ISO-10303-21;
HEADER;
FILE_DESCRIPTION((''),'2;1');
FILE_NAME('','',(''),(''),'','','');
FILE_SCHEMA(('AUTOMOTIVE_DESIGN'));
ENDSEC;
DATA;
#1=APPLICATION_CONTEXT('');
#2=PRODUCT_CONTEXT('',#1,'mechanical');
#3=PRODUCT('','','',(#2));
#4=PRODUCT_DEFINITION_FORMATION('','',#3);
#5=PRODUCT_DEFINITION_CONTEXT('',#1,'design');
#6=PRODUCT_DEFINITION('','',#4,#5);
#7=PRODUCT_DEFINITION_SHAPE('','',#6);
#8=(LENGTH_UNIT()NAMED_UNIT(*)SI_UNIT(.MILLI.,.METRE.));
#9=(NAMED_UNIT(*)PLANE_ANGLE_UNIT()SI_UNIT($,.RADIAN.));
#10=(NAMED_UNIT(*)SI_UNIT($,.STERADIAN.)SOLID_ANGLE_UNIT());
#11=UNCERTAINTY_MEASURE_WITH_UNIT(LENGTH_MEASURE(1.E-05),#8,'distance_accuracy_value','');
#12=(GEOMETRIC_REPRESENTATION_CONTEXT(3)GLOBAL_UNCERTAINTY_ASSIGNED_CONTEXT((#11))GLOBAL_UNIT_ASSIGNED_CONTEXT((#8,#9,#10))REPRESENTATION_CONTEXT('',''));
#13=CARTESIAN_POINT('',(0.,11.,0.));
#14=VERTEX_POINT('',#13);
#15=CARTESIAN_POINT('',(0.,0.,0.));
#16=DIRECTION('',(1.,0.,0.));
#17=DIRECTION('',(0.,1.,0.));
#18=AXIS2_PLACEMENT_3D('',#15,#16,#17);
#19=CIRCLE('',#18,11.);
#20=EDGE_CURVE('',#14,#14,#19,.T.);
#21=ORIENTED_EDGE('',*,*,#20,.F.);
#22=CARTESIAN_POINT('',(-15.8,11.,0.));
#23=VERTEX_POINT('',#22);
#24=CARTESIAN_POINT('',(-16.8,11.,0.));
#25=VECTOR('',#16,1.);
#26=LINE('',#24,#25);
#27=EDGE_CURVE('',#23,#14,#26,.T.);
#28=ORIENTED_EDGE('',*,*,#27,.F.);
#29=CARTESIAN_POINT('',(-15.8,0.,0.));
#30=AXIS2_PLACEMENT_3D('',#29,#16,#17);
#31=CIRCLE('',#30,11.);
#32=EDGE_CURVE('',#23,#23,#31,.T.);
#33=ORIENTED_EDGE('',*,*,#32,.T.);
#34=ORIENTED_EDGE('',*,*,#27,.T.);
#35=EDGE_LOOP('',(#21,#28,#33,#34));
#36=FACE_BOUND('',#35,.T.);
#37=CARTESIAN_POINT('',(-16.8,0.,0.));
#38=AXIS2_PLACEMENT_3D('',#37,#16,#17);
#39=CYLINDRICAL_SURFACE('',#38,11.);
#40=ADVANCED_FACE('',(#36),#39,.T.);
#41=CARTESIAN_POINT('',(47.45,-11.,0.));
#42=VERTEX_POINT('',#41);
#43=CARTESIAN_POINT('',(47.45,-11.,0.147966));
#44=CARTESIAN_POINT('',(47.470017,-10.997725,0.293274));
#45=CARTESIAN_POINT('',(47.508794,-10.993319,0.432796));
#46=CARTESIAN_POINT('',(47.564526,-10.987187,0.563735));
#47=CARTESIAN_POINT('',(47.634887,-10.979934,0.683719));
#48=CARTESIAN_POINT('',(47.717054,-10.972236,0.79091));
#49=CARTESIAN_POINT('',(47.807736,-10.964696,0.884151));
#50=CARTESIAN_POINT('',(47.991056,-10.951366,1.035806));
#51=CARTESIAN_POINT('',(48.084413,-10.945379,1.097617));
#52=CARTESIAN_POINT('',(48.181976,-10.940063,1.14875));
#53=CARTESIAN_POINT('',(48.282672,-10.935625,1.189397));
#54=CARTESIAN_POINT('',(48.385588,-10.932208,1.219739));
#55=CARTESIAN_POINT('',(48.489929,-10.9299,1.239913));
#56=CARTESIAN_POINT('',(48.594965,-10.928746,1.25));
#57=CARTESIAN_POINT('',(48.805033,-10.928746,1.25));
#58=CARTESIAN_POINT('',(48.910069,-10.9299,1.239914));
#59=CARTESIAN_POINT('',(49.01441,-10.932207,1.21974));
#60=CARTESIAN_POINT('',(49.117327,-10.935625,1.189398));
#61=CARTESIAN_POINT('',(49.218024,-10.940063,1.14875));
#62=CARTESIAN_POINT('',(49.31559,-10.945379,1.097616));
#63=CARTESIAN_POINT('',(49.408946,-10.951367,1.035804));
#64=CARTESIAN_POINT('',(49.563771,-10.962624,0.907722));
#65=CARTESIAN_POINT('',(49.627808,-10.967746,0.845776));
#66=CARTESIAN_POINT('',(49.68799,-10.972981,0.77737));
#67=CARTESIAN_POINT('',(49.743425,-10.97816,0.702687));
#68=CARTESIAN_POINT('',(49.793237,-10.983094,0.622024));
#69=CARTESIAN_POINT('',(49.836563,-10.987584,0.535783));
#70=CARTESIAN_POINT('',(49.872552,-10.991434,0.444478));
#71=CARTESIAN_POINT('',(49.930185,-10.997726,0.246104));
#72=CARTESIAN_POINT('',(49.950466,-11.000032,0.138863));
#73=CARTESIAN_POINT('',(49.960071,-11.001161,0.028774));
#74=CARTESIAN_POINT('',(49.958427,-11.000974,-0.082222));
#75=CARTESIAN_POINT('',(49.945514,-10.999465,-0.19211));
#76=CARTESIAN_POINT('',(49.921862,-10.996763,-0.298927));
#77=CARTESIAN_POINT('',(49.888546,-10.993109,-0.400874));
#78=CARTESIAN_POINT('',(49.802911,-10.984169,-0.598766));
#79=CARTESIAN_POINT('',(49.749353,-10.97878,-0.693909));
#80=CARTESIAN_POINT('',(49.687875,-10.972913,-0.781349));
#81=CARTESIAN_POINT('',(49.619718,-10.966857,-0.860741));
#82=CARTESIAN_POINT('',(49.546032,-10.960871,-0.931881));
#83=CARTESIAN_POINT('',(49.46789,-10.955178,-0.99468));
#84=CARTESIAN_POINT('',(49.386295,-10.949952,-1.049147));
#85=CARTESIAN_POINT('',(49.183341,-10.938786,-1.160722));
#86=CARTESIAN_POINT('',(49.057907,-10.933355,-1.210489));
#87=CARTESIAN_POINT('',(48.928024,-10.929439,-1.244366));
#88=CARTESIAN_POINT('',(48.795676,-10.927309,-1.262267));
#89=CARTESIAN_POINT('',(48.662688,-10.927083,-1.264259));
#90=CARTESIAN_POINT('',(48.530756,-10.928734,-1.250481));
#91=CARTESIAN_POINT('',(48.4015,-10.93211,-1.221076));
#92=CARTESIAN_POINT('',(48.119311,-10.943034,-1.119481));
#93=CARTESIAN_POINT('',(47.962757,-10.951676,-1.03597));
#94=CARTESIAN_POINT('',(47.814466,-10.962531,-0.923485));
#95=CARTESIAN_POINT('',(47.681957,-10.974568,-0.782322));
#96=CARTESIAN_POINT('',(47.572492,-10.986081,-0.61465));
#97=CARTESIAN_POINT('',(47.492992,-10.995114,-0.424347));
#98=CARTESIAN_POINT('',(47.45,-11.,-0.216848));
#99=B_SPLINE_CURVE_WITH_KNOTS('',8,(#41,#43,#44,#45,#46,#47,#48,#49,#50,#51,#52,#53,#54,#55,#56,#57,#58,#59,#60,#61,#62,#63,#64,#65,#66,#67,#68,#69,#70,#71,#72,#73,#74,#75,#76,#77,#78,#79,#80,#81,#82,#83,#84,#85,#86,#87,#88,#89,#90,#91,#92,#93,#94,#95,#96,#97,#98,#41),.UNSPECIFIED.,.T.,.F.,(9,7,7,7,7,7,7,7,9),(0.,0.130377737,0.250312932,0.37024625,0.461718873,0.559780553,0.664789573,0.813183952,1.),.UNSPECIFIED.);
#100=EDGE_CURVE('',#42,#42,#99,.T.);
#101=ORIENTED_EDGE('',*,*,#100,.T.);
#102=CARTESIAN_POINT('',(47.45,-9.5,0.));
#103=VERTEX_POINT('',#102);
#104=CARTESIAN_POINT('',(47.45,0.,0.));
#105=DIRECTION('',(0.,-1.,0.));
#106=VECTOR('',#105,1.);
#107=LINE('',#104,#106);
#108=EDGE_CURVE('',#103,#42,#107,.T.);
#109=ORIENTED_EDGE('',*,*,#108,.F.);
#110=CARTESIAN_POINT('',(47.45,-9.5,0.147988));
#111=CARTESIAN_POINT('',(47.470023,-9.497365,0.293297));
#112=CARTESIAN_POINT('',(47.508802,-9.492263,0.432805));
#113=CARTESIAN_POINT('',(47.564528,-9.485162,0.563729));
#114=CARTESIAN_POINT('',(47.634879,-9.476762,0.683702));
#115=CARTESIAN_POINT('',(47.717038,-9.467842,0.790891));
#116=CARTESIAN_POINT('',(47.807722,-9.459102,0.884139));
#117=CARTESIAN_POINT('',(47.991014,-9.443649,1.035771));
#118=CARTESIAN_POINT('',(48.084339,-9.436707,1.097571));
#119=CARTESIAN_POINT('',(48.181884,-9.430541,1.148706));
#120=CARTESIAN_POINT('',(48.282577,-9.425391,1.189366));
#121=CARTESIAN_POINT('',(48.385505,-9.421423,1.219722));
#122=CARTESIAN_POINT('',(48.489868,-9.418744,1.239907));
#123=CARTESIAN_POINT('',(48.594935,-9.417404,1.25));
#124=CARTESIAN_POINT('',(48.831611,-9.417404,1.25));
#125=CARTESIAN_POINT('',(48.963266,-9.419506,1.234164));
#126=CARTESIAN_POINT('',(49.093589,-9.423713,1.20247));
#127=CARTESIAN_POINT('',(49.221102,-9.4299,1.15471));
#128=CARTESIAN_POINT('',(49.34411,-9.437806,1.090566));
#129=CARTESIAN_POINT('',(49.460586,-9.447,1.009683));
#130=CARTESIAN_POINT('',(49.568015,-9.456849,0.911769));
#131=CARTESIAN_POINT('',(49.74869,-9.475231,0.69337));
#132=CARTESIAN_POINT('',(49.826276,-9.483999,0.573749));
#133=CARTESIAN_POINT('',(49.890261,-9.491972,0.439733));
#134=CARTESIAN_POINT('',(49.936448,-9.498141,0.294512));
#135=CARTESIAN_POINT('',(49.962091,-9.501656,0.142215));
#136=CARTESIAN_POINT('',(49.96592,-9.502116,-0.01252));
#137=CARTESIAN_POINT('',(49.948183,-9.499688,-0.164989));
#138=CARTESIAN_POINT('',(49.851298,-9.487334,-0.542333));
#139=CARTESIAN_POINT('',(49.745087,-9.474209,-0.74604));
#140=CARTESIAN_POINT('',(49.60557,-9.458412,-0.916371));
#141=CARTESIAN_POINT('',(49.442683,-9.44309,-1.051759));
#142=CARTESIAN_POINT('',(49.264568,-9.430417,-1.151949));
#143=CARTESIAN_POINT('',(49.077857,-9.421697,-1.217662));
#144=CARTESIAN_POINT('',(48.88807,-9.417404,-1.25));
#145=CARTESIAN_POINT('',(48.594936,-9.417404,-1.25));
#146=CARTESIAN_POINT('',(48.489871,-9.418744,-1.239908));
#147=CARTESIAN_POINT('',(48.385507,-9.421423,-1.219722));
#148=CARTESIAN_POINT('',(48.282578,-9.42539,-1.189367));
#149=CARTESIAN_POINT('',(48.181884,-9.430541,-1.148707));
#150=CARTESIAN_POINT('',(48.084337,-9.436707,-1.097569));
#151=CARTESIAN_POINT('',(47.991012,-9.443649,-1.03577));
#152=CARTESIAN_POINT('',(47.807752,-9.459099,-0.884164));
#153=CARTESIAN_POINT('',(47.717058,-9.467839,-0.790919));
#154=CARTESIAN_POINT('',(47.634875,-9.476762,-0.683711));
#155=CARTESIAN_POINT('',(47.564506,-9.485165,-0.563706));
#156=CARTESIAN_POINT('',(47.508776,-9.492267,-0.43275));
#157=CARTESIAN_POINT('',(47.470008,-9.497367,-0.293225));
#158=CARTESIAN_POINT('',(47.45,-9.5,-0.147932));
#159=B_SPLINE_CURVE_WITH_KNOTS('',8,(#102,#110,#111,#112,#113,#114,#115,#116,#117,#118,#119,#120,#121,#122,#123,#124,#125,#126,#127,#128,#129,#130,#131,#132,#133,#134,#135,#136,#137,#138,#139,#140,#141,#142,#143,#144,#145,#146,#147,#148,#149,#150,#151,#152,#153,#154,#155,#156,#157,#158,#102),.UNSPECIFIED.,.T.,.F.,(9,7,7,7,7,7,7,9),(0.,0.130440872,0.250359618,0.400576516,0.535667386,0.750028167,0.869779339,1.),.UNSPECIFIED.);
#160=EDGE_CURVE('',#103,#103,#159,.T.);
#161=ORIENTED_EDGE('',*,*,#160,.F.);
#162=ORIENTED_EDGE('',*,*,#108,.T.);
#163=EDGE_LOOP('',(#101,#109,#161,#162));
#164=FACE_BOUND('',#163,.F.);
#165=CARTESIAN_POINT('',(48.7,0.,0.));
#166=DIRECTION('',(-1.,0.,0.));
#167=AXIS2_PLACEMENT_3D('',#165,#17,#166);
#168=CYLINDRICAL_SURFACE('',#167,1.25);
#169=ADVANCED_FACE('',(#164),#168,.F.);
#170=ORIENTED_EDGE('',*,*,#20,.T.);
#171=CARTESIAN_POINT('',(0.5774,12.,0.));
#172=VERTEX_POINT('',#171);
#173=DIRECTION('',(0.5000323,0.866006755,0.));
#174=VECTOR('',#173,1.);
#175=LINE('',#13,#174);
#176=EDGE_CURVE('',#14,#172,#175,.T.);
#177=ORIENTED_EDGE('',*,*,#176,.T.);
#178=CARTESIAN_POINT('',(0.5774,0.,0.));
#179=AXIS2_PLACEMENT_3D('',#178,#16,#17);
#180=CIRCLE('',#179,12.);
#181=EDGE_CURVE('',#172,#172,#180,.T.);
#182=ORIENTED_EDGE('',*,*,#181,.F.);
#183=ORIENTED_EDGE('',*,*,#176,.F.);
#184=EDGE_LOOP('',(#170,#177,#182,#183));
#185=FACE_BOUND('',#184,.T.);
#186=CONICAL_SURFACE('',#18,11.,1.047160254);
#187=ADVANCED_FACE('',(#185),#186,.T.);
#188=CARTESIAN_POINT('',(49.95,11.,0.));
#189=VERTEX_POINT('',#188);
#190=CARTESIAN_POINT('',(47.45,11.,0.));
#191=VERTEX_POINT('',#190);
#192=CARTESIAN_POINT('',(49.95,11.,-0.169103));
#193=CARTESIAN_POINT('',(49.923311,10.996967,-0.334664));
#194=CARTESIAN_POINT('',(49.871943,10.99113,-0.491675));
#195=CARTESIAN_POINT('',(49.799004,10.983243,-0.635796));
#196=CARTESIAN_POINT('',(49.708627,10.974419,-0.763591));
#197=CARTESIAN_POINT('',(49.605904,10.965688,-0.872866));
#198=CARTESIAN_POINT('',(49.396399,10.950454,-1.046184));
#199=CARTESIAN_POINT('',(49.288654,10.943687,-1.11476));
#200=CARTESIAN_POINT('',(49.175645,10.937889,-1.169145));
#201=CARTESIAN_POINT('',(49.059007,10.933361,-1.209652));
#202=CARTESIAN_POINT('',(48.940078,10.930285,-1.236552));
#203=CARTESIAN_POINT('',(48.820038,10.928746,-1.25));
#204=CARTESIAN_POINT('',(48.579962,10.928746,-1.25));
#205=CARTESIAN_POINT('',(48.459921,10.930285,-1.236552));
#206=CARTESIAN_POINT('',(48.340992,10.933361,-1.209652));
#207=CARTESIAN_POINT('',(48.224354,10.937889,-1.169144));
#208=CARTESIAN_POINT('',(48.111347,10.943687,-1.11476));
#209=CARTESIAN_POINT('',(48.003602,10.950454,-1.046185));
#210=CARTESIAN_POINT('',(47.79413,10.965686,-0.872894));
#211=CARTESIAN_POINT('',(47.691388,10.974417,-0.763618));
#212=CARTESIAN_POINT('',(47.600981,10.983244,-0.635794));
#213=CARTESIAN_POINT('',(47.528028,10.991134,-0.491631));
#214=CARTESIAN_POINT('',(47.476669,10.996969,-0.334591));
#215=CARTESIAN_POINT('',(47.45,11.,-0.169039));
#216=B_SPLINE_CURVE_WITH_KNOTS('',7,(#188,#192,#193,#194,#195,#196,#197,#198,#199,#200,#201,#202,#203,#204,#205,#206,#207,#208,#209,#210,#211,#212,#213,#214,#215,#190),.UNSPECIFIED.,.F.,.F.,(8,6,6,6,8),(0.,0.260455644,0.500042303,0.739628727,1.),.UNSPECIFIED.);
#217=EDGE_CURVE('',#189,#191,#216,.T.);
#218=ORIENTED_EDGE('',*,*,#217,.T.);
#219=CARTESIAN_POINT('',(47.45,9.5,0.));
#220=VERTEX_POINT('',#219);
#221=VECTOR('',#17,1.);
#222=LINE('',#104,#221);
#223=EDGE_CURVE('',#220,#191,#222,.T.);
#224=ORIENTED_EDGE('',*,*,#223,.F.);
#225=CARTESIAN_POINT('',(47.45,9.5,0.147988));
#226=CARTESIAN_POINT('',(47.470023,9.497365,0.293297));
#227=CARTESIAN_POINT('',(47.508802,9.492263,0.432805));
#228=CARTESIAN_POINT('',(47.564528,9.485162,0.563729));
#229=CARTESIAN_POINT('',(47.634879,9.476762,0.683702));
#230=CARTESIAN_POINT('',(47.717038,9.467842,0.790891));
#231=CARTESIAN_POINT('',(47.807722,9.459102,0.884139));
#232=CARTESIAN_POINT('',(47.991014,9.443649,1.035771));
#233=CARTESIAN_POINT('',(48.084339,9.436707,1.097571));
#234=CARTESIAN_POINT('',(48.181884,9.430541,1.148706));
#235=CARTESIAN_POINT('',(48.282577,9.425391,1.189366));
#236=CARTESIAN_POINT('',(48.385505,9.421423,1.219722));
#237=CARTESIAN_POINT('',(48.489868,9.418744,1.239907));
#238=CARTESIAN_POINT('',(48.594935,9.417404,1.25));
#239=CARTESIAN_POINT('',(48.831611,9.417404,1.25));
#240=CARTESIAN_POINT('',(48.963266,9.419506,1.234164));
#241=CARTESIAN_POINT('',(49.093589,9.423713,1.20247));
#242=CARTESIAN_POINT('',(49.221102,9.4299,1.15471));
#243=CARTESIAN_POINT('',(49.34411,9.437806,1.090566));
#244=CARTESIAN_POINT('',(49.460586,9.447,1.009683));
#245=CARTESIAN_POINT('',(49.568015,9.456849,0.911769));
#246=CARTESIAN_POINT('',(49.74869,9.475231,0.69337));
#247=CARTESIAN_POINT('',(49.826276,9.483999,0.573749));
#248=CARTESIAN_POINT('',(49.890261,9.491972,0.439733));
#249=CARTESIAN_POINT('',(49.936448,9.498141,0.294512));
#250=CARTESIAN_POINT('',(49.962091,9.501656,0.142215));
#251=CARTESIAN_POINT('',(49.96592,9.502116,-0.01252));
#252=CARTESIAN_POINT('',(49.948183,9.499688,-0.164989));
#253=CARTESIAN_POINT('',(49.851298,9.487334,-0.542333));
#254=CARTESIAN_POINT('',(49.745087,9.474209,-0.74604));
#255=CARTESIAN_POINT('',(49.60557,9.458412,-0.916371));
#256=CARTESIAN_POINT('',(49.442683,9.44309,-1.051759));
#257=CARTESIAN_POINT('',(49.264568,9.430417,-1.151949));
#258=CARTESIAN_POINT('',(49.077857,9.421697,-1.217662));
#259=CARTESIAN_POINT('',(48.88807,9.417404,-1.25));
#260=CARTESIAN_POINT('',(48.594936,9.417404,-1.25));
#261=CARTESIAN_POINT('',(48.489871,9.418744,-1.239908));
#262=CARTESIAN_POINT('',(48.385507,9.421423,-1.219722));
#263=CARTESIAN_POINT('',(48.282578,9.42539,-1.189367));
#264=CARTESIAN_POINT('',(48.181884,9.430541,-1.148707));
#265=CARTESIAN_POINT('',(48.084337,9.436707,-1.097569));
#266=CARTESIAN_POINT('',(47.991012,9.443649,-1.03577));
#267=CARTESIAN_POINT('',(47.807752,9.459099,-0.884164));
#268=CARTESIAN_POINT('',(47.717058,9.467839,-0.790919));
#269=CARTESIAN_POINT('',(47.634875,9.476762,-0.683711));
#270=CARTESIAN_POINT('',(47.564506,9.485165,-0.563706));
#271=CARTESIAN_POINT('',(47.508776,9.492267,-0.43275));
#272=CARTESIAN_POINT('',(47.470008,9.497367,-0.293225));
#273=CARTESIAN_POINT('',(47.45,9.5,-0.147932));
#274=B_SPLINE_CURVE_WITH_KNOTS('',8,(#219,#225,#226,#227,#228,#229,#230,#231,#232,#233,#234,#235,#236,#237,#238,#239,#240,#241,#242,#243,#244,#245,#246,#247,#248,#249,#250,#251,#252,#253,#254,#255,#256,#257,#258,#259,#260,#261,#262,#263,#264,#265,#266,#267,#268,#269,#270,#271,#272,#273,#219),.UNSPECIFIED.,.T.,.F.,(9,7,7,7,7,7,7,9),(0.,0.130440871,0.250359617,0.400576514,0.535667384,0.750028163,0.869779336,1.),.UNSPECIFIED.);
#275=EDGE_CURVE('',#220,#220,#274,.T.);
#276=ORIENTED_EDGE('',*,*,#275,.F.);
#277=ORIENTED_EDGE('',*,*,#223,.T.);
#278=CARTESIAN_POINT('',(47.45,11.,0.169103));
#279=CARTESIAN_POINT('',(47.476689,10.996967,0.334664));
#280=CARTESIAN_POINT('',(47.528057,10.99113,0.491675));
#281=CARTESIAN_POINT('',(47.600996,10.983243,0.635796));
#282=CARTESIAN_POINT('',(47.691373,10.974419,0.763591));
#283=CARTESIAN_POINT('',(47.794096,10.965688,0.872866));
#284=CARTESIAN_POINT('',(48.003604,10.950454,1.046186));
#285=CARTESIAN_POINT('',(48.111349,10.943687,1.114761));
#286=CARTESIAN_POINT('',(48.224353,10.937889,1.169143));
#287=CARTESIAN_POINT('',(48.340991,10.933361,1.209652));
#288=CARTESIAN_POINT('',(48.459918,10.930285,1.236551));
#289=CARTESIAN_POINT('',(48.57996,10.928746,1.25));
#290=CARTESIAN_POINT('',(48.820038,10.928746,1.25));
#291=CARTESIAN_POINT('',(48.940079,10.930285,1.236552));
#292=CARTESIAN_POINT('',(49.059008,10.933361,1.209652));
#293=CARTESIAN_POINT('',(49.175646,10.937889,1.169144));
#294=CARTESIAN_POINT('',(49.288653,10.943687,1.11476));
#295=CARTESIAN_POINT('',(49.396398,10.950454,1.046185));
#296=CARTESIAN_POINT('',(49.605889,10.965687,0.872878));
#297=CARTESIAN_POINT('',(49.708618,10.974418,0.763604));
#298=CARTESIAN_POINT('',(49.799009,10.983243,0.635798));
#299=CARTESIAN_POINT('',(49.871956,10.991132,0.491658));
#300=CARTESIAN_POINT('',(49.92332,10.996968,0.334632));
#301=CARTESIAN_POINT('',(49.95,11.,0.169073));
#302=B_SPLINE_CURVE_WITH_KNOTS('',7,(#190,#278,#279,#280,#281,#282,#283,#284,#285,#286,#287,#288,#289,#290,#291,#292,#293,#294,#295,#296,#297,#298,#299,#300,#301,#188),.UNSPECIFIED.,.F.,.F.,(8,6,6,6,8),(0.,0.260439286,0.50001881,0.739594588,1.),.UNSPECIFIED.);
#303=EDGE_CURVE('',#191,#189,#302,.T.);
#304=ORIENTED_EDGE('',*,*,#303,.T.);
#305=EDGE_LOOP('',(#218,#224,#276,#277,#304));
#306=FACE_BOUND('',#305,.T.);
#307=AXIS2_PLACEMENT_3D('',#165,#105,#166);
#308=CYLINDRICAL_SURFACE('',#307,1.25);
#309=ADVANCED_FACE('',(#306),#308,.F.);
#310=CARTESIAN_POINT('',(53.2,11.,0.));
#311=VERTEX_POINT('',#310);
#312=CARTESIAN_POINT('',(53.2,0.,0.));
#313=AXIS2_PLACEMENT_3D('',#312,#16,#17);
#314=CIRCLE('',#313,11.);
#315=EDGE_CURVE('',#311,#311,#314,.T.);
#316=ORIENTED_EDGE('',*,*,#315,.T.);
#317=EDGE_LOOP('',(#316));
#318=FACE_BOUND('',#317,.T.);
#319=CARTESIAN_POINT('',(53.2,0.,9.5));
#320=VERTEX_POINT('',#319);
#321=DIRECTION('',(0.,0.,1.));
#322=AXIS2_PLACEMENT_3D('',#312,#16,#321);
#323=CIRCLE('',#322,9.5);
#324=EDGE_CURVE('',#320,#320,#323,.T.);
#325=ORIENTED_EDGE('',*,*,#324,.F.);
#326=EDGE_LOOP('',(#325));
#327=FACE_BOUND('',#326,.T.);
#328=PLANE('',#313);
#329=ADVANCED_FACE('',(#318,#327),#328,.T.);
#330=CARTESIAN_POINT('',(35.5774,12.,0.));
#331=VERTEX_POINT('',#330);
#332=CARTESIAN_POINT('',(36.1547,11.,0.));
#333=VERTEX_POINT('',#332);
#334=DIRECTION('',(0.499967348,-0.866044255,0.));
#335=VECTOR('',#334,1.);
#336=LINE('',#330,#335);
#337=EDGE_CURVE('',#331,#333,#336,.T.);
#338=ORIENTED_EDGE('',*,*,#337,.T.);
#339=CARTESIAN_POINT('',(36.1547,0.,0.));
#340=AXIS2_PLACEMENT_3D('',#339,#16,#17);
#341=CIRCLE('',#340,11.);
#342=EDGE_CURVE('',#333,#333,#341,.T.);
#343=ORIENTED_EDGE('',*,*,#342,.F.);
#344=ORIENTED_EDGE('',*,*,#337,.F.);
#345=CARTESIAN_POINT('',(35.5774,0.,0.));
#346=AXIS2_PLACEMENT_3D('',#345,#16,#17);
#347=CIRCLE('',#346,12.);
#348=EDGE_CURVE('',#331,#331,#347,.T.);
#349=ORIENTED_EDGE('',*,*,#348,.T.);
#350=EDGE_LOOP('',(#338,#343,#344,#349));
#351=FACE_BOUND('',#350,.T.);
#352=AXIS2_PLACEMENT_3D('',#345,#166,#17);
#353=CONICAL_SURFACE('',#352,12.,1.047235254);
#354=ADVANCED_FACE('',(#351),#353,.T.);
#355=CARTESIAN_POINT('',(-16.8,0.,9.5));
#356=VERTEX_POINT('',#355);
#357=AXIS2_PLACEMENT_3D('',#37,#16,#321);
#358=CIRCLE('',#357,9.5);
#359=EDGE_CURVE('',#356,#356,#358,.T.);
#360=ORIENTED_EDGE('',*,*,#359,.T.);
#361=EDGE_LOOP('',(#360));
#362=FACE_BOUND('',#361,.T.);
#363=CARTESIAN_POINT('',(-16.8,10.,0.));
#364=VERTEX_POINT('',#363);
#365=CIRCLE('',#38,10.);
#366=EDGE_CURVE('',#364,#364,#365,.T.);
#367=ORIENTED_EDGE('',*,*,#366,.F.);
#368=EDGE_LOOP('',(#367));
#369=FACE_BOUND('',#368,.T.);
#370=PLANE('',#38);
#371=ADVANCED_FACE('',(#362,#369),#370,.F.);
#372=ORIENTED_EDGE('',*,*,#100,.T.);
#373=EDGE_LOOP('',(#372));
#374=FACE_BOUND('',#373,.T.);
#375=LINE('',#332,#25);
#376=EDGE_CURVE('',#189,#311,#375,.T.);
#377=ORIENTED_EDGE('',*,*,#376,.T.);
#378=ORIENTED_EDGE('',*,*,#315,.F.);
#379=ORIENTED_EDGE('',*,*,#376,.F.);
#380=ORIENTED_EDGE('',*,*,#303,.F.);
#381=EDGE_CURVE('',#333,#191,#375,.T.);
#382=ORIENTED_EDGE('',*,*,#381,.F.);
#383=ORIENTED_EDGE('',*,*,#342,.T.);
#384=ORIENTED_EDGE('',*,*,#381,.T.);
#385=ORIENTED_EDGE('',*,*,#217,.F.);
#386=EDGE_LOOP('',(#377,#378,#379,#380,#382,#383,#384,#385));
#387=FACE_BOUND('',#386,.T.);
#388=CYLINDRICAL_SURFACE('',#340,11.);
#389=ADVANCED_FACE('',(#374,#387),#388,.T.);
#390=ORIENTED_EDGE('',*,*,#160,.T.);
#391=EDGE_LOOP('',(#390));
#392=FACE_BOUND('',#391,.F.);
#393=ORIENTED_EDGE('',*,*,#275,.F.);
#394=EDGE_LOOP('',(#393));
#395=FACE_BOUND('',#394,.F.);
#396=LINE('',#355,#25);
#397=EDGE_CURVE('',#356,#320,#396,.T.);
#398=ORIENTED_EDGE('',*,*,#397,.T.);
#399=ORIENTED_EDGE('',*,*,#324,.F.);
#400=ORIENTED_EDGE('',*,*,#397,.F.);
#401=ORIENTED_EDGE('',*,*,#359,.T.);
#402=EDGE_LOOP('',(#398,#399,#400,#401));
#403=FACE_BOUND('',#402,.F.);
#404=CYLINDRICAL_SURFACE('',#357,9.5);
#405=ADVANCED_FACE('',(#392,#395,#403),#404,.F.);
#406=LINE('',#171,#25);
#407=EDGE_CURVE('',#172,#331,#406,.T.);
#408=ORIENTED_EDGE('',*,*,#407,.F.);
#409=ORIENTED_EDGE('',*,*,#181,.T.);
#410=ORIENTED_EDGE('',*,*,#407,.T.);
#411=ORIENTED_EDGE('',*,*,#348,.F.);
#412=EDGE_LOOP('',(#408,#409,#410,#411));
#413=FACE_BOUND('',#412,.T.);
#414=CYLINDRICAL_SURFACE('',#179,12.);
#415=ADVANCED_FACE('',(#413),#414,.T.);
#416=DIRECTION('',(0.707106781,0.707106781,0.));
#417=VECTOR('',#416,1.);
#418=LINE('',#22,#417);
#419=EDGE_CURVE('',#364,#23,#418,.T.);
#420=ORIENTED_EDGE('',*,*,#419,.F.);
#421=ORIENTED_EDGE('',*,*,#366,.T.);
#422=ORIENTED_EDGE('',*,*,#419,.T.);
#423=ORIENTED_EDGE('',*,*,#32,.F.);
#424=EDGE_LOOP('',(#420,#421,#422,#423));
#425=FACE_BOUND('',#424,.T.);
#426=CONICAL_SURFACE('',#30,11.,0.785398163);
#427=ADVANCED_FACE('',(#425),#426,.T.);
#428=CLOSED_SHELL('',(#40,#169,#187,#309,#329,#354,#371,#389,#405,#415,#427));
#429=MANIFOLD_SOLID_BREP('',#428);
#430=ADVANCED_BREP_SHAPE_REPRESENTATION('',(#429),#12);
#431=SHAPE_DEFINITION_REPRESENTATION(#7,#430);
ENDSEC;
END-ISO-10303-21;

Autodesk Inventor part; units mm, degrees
ref_plane "YZ Plane" through (0, 0, 0) normal (1, 0, 0) x (0, 1, 0)
ref_plane "XZ Plane" through (0, 0, 0) normal (0, 1, 0) x (-1, 0, 0)
ref_plane "XY Plane" through (0, 0, 0) normal (0, 0, 1) x (1, 0, 0)
sketch "Profile" plane through (0, 0, 0) normal (0, 0, 1) x (1, 0, 0)
  line L0 (-16.8, 0) -> (-16.8, 11)
  line L1 (-16.8, 11) -> (0, 11)
  line L2 (0, 11) -> (0.5774, 12)
  line L3 (0.5774, 12) -> (35.5774, 12)
  line L4 (35.5774, 12) -> (36.1547, 11)
  line L5 (36.1547, 11) -> (53.2, 11)
  line L6 (53.2, 11) -> (53.2, 0)
  line L7 (-16.8, 0) -> (0, 0)
  line L8 (0, 0) -> (0, 9)
  line L9 (0, 9) -> (45.2, 9)
  line L10 (45.2, 9) -> (45.2, 0)
  line L11 (45.2, 0) -> (53.2, 0)
  line L12 (-30.8, 0) -> (67.2, 0) construction
  line L13 (0, 11) -> (0, 9) construction
  dimension "BodyLength" = 70
  dimension "d1" = 11
  dimension "d3" = 120
  dimension "d4" = 120
  dimension "d5" = 35
  dimension "d6" = 16.8
  dimension "d16" = 8
  dimension "d29" = 1
  dimension "d30" = 9
revolve "ProfileRevolveFeature" add sketch "Profile" angle 360 about axis through (-10, 0, 0) along (1, 0, 0)
sketch "InsideHole" plane through (-16.8, 0, 0) normal (-1, 0, 0) x (0, 0, 1)
  circle A0 centre (0, 0) radius 9 construction
hole "InsideHoleFeature" at (-16.8, 0, 0) direction (1, 0, 0) diameter 19 end through all
chamfer "EndChamferFeature" distance 1 angle 45 1 edges at (-16.8, -11, 0)
sketch "CapMountHole" plane through (0, 0, 0) normal (0, 1, 0) x (-1, 0, 0)
  line L0 (-53.2, 11) -> (-53.2, -11) construction
  line L1 (11.4, 0) -> (-68.4, 0) construction
  circle A0 centre (-48.7, 0) radius 1.25
  point P0 (0, 0)
  dimension "d31" = 4.5
  dimension "d39" = 2.5
extrude "CapMountHoleFeature" cut sketch "CapMountHole" along normal through all both and the other way through all
equation "\"d5\" = 0.5 * BodyLength"
equation "\"d6\" = 0.24 * BodyLength"
properties part number "BackPair1PistonBody"
